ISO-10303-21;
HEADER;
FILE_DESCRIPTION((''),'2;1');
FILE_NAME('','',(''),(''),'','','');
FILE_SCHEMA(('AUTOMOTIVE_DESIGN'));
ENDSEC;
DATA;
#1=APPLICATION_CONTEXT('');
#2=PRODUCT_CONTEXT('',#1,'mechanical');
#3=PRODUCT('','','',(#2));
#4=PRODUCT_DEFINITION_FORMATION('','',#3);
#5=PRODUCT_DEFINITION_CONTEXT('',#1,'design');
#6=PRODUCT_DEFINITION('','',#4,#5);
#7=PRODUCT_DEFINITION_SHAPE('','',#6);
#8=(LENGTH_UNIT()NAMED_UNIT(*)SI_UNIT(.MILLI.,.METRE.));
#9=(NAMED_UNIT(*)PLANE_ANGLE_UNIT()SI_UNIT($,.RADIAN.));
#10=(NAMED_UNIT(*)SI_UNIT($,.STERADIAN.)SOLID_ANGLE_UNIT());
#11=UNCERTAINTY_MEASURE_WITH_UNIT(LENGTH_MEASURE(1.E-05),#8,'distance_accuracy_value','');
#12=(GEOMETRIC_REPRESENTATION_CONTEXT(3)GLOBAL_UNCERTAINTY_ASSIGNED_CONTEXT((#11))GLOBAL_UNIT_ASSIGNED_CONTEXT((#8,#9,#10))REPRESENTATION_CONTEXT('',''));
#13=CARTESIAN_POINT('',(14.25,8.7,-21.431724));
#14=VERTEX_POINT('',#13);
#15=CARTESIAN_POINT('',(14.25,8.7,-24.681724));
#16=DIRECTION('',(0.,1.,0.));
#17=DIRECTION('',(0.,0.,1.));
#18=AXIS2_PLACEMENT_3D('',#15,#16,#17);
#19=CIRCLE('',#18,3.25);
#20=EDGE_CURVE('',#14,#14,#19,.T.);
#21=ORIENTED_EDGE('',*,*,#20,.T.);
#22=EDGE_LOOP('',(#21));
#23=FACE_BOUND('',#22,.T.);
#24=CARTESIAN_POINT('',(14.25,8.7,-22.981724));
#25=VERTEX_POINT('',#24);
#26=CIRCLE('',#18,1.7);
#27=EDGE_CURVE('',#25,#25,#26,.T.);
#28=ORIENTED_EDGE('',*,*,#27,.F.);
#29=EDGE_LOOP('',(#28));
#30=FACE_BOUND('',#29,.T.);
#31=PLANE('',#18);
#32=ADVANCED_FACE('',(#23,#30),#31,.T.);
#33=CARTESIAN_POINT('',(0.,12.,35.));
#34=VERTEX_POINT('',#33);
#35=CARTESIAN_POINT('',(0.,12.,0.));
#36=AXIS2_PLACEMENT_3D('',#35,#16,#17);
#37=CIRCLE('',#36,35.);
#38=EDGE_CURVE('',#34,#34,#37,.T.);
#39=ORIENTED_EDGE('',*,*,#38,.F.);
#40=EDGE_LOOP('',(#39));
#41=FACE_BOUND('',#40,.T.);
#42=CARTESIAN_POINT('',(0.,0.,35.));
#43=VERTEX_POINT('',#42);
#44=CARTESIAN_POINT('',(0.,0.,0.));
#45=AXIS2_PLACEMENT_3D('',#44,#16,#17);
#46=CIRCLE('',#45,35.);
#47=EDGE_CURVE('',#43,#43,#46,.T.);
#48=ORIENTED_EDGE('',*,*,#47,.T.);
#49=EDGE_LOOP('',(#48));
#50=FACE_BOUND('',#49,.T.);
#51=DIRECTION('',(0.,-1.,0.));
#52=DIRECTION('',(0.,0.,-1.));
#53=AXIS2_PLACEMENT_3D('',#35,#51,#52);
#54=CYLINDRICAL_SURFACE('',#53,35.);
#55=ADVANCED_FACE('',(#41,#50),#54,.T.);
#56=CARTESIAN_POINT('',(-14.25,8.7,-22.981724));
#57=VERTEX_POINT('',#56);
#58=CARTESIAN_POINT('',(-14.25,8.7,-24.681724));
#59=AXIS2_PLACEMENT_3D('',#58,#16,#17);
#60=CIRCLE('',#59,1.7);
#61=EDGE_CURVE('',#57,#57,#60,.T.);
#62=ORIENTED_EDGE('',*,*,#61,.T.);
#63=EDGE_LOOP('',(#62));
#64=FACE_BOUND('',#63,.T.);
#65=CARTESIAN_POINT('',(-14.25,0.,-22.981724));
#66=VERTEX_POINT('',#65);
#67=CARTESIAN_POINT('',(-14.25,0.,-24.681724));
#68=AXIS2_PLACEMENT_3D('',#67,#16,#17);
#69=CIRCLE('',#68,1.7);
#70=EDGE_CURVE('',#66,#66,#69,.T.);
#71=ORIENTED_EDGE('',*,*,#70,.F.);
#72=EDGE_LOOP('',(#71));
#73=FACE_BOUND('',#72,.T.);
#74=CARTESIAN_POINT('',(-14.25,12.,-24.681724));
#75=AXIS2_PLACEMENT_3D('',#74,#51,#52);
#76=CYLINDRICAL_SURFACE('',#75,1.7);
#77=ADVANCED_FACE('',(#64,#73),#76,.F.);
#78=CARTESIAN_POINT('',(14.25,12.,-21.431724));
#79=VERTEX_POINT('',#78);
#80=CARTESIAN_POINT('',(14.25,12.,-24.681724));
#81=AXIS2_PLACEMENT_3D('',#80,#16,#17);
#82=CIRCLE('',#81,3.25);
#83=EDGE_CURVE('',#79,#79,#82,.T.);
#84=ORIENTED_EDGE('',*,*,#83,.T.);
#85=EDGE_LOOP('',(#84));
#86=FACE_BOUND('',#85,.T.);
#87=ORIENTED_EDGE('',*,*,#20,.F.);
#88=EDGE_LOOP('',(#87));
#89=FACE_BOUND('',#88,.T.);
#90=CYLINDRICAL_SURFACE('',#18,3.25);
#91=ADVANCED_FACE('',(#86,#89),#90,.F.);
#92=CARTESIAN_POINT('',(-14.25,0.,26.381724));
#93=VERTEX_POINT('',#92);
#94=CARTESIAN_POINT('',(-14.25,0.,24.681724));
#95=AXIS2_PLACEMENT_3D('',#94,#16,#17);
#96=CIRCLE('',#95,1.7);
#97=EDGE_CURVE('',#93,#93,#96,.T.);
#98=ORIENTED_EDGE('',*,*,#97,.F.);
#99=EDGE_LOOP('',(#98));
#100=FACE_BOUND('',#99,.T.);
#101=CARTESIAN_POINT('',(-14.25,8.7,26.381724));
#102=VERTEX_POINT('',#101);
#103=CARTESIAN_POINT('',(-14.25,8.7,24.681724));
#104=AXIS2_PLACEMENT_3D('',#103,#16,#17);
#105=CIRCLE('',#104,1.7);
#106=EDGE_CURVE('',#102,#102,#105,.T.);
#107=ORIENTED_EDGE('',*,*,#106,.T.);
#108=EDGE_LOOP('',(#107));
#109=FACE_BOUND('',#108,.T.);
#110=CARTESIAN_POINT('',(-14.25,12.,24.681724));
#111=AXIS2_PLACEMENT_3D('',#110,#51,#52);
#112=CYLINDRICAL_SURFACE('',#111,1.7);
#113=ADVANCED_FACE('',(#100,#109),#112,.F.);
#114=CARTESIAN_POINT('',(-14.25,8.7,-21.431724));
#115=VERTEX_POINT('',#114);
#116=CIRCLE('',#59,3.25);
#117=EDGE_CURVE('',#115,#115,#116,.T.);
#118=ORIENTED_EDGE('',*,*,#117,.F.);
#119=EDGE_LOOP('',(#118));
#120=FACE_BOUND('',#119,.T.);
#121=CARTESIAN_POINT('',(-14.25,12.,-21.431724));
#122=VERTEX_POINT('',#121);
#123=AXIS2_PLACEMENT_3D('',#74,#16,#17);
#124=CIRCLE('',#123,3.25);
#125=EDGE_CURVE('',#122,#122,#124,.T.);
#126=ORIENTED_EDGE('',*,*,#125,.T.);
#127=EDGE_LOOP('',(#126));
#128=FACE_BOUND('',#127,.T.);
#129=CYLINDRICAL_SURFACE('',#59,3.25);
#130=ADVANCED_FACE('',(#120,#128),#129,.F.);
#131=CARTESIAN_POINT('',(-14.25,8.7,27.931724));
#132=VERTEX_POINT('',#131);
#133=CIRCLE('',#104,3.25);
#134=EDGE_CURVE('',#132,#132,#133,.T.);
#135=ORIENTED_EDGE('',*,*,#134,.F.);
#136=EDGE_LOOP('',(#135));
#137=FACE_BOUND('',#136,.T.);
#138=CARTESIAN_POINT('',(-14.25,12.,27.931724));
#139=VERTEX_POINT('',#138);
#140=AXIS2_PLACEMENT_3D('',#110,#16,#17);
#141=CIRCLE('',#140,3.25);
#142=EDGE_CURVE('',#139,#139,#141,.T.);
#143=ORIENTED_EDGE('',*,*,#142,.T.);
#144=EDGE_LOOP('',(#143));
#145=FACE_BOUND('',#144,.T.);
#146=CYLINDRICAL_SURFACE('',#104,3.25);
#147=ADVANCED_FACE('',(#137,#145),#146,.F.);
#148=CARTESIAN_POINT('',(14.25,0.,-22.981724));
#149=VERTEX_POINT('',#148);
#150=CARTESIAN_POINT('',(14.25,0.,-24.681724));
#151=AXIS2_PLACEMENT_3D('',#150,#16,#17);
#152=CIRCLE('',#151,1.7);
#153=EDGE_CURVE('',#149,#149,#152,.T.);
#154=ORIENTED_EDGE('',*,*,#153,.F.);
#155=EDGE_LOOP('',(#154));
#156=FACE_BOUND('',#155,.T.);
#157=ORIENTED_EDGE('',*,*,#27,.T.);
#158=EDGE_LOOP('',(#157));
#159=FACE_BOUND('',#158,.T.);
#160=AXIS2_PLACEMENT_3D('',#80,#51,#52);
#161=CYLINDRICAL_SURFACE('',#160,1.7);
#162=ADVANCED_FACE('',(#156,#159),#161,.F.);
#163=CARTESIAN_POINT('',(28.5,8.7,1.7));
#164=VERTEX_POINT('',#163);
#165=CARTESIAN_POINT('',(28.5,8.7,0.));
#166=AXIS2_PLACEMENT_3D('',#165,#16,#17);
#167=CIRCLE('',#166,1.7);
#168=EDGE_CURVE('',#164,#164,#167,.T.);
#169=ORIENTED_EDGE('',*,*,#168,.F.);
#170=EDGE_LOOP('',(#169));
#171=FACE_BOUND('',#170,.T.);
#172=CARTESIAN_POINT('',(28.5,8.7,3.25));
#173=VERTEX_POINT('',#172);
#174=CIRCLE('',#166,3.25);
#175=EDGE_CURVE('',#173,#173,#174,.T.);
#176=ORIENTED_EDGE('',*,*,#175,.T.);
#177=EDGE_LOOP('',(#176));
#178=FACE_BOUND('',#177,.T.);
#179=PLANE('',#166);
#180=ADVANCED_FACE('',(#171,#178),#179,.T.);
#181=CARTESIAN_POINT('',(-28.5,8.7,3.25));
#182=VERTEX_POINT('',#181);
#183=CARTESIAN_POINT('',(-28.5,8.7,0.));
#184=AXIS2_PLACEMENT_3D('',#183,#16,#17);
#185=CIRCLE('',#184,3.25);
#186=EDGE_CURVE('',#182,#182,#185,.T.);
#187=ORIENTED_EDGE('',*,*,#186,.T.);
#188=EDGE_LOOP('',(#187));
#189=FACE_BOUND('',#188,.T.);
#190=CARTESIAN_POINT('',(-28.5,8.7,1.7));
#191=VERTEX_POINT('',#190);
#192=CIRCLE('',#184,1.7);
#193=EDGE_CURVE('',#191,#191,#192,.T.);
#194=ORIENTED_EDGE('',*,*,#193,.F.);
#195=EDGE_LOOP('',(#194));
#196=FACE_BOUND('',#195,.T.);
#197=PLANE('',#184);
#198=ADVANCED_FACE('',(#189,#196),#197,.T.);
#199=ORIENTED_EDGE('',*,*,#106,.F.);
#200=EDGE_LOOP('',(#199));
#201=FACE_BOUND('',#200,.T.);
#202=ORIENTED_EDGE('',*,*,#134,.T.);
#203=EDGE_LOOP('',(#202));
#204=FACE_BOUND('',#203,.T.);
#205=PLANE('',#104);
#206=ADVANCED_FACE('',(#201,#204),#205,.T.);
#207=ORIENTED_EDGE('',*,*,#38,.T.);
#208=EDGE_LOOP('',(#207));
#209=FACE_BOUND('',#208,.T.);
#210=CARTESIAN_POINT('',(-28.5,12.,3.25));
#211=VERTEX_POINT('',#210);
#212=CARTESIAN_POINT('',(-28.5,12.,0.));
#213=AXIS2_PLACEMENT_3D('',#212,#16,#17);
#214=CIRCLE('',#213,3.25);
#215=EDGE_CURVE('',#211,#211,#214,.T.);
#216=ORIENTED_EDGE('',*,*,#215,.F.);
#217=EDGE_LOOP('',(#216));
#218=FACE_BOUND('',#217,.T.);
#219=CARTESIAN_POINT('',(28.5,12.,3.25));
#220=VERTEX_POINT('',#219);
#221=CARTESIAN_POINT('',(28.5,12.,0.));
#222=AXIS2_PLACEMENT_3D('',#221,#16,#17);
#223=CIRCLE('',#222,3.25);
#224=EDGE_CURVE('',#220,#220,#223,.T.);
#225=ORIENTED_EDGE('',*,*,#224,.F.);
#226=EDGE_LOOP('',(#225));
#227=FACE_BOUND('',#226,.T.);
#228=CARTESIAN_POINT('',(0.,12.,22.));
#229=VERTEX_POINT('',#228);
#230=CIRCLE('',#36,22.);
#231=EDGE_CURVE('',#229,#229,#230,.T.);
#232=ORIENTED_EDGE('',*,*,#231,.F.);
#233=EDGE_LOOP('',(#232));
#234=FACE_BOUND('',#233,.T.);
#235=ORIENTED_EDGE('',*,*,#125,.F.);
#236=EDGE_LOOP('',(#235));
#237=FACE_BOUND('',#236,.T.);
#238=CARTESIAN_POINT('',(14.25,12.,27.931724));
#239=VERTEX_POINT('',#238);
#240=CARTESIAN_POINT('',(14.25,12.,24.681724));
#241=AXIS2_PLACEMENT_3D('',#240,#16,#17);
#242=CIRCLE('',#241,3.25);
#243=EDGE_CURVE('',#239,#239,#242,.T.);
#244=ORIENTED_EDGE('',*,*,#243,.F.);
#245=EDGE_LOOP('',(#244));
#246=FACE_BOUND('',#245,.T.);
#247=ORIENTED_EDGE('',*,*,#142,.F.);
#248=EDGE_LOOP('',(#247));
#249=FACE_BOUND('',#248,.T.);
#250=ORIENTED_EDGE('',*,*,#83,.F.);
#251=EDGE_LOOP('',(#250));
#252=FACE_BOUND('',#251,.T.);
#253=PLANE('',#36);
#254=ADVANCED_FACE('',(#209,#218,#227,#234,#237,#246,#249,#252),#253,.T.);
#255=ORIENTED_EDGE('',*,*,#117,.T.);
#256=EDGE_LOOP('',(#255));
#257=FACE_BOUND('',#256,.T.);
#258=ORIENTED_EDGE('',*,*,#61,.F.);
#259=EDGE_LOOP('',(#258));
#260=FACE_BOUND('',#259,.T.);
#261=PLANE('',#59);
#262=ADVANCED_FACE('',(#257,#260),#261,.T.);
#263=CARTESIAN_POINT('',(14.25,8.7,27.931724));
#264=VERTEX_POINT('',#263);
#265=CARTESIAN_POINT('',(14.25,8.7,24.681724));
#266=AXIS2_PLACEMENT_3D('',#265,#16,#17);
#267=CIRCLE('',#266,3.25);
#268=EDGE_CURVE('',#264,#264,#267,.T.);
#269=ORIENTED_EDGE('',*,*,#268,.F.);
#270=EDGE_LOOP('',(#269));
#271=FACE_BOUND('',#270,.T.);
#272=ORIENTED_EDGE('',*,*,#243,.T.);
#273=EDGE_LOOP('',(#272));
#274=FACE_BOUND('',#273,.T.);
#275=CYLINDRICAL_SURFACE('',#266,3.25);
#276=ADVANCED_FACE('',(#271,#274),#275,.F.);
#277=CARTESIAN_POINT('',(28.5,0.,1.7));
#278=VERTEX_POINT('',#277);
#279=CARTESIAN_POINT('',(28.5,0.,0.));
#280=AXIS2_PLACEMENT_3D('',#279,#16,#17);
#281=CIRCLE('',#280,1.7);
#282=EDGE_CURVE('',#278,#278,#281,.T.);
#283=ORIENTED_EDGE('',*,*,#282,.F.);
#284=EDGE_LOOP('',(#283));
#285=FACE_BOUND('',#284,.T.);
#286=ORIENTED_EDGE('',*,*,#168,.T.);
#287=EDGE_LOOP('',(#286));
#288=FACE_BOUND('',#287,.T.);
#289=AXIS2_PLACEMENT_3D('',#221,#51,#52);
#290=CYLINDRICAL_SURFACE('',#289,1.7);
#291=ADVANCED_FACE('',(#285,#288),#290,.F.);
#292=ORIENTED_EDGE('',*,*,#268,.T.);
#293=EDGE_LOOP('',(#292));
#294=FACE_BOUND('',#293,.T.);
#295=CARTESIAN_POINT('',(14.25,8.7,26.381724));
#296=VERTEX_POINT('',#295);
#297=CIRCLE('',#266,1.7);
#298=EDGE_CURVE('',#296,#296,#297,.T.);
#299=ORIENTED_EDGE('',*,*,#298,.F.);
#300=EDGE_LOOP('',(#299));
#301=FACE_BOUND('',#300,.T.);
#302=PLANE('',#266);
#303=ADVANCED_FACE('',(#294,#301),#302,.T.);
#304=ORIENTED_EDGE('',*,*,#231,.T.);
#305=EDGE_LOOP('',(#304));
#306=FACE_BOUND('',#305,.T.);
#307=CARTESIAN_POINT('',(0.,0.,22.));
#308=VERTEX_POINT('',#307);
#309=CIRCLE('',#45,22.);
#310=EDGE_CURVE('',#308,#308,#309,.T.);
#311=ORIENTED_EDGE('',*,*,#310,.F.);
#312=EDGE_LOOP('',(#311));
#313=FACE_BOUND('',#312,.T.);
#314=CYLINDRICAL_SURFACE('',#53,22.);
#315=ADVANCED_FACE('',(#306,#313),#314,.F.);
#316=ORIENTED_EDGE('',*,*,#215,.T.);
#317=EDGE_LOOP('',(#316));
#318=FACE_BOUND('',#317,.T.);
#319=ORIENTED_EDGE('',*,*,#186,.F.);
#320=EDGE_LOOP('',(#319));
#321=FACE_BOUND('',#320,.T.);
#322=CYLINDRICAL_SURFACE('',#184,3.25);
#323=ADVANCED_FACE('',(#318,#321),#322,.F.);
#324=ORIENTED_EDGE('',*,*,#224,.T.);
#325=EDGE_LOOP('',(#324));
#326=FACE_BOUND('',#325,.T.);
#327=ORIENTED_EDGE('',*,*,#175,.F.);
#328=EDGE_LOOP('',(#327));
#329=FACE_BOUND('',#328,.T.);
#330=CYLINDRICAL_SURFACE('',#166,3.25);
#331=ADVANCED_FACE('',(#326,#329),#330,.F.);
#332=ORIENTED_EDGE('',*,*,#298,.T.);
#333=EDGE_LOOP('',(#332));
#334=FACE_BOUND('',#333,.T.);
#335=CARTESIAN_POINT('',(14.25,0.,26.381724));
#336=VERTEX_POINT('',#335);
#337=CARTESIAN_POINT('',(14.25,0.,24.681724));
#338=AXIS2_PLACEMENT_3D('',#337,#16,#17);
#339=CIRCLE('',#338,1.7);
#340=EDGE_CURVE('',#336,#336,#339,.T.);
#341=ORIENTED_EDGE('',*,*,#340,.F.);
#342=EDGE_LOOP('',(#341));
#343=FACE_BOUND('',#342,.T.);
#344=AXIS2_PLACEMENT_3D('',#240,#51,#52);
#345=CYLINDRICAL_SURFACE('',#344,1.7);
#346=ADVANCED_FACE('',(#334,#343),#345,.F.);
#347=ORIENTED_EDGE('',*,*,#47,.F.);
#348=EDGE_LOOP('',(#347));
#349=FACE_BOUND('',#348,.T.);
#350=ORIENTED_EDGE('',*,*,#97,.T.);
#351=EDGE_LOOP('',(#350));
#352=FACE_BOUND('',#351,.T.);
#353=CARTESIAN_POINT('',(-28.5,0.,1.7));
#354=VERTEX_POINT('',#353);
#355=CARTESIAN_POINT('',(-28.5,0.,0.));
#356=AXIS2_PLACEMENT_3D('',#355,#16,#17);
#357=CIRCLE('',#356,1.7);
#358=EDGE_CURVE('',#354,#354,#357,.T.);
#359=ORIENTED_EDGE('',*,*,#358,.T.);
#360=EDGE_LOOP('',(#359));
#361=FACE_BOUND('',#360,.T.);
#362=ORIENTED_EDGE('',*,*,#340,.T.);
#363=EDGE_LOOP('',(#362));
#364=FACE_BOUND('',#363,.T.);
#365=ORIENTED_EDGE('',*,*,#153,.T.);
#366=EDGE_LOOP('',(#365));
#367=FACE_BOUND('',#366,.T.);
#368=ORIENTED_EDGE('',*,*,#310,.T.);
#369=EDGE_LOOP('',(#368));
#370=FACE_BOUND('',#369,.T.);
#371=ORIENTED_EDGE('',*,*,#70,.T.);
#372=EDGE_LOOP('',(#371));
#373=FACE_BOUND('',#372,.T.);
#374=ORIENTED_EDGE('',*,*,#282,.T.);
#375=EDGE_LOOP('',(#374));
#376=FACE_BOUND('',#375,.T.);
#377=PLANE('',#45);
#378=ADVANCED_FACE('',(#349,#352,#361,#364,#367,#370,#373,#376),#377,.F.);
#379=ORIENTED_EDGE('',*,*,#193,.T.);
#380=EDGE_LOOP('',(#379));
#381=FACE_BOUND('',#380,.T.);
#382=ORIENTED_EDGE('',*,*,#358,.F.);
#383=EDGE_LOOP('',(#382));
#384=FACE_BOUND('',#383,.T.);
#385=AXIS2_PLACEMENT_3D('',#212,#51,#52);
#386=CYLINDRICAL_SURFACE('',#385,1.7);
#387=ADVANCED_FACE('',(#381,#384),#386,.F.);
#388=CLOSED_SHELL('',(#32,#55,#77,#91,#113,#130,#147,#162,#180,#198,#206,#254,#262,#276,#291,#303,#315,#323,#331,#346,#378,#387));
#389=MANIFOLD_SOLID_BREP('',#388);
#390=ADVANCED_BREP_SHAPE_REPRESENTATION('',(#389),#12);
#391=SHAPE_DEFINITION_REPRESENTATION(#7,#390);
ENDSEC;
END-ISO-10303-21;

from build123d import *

# Parameters (mm, degrees)
SKETCH_1_R          = 35
SKETCH_1_R_2        = 1.7
SKETCH_1_R_3        = 22
EXTRUDE_1_DEPTH     = 12
SKETCH_2_R          = 3.25
CUT_EXTRUDE_1_DEPTH = 3.3


with BuildPart() as part:
    # 草图1 → 凸台-拉伸1 (new body)
    with BuildSketch(Plane(origin=(0, 0, 0), x_dir=(1, 0, 0), z_dir=(0, 1, 0))):
        with Locations(Location((0, 0, 0), (0, 0, 270))):
            Circle(SKETCH_1_R)
        with Locations(Location((-28.5, 0, 0), (0, 0, 270))):
            Circle(SKETCH_1_R_2, mode=Mode.SUBTRACT)
        with Locations(Location((-14.25, 24.681724008, 0), (0, 0, 270))):
            Circle(SKETCH_1_R_2, mode=Mode.SUBTRACT)
        with Locations(Location((14.25, 24.681724008, 0), (0, 0, 270))):
            Circle(SKETCH_1_R_2, mode=Mode.SUBTRACT)
        with Locations(Location((28.5, 0, 0), (0, 0, 270))):
            Circle(SKETCH_1_R_2, mode=Mode.SUBTRACT)
        with Locations(Location((14.25, -24.681724008, 0), (0, 0, 270))):
            Circle(SKETCH_1_R_2, mode=Mode.SUBTRACT)
        with Locations(Location((-14.25, -24.681724008, 0), (0, 0, 270))):
            Circle(SKETCH_1_R_2, mode=Mode.SUBTRACT)
        with Locations(Location((0, 0, 0), (0, 0, 270))):
            Circle(SKETCH_1_R_3, mode=Mode.SUBTRACT)
    extrude(amount=EXTRUDE_1_DEPTH)

    # 草图2 → 切除-拉伸1 (cut)
    with BuildSketch(Plane(origin=(0, 12, 0), x_dir=(1, 0, 0), z_dir=(0, 1, 0))):
        with Locations(Location((-28.5, 0, 0), (0, 0, 270))):
            Circle(SKETCH_2_R)
        with Locations(Location((-14.25, 24.681724008, 0), (0, 0, 270))):
            Circle(SKETCH_2_R)
        with Locations(Location((14.25, 24.681724008, 0), (0, 0, 270))):
            Circle(SKETCH_2_R)
        with Locations(Location((28.5, 0, 0), (0, 0, 270))):
            Circle(SKETCH_2_R)
        with Locations(Location((14.25, -24.681724008, 0), (0, 0, 270))):
            Circle(SKETCH_2_R)
        with Locations(Location((-14.25, -24.681724008, 0), (0, 0, 270))):
            Circle(SKETCH_2_R)
    extrude(amount=-CUT_EXTRUDE_1_DEPTH, mode=Mode.SUBTRACT)


solid = part.part
